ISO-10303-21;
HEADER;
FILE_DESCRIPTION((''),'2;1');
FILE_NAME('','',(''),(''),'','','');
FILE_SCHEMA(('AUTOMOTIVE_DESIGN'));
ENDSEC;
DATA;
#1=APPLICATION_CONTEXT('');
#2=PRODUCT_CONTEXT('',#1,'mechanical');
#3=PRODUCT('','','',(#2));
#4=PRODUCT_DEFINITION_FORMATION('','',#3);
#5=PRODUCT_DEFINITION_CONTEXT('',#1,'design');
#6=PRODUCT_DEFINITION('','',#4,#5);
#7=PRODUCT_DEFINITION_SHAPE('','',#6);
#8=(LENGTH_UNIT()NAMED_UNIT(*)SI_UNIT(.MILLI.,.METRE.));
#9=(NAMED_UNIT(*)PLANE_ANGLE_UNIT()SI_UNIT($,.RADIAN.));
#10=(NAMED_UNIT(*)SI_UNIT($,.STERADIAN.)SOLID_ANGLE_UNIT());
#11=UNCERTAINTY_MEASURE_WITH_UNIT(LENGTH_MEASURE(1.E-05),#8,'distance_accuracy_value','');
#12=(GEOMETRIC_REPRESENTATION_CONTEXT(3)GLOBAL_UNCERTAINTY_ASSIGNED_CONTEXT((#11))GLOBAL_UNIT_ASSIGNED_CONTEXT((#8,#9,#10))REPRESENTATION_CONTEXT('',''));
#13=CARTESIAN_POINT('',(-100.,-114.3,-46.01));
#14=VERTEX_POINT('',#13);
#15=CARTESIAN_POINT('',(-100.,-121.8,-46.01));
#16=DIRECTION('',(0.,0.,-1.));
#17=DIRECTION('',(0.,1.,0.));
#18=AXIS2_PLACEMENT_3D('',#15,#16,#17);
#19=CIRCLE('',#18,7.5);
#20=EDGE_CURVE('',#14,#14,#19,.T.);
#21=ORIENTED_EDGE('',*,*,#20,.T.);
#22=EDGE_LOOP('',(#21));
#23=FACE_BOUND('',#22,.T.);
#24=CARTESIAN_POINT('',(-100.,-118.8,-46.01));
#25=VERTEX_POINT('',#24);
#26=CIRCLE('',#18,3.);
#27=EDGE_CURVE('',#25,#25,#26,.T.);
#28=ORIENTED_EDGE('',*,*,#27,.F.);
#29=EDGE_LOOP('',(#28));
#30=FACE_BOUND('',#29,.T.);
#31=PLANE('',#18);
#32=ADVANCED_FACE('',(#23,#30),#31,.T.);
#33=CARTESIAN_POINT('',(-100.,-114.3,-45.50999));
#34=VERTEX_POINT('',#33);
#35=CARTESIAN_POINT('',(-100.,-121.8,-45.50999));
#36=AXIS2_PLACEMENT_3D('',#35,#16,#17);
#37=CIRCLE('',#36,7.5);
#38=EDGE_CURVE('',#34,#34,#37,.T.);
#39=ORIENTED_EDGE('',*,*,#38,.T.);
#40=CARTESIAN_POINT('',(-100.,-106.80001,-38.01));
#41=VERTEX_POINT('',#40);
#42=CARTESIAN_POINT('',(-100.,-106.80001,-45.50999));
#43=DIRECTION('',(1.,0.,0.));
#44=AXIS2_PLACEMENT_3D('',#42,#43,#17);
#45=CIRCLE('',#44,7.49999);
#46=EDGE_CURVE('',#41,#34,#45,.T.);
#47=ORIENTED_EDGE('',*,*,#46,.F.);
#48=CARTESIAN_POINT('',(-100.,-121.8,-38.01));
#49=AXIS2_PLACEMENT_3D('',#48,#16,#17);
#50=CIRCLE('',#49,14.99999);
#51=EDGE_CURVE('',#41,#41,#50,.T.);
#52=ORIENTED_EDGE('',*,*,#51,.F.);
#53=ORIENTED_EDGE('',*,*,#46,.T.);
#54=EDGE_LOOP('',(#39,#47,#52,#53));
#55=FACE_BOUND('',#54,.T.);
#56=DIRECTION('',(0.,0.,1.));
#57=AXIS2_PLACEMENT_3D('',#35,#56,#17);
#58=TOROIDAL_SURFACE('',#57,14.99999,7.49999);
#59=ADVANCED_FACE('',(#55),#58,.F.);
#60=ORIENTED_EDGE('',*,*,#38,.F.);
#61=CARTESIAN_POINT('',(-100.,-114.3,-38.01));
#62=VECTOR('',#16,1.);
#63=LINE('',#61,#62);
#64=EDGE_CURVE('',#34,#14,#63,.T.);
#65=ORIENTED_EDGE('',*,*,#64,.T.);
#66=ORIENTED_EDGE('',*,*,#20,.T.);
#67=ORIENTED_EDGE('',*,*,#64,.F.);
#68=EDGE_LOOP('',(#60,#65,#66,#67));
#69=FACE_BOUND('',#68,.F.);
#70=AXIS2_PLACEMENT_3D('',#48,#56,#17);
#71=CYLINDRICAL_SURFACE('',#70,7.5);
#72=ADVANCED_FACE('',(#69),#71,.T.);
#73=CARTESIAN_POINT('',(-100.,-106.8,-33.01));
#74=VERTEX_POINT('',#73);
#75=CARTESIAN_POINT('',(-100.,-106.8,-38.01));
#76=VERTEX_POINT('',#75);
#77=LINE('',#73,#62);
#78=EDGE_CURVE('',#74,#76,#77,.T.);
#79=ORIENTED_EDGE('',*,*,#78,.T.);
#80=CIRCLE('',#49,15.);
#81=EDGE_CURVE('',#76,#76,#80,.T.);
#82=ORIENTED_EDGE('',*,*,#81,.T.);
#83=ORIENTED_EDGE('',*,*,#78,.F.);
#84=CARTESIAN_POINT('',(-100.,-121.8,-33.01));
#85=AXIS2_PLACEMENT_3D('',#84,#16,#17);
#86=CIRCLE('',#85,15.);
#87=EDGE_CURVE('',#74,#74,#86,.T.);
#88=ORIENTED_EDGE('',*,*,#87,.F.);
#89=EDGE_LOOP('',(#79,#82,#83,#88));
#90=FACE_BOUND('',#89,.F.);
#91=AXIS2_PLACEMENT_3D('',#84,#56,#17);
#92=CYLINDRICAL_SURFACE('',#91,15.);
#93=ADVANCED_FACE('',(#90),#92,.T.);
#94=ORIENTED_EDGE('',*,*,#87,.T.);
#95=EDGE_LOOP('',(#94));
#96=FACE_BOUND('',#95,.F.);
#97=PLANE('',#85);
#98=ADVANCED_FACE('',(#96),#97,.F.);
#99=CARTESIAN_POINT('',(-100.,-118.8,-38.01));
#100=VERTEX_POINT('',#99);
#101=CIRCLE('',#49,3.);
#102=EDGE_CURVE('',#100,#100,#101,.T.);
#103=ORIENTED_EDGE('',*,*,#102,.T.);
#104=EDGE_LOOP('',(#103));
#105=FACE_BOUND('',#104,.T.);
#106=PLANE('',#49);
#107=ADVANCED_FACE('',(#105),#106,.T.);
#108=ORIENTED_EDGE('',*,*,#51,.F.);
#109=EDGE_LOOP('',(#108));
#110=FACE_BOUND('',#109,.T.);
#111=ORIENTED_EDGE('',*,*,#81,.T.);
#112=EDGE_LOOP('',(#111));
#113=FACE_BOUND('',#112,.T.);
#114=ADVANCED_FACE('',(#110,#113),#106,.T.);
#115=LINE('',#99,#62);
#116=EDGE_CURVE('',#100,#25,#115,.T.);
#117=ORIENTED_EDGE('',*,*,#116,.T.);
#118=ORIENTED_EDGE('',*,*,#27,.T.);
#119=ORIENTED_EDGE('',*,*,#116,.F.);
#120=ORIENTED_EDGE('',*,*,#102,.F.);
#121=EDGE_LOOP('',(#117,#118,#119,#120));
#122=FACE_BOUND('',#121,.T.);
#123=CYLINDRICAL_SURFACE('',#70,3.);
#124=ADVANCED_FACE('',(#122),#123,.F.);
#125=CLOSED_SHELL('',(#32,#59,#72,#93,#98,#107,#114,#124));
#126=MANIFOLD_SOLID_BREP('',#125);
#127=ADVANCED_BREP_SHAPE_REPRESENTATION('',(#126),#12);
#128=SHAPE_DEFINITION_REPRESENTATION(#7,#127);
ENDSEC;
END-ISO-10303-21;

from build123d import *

# Parameters (mm, degrees)
SKETCH129_R             = 15
PAD067_DEPTH            = 5
SKETCH130_R             = 7.5
SKETCH130_R_2           = 3
PAD068_DEPTH            = 8
FILLET001_R             = 7.49999
BODY018_PLACEMENT_ANGLE = 90


with BuildPart() as part:
    # Sketch129 → Pad067 (new body)
    with BuildSketch(Plane.YZ):
        Circle(SKETCH129_R)
    extrude(amount=PAD067_DEPTH)

    # Sketch130 (on Face3 of Pad067) → Pad068 (join)
    with BuildSketch(Plane.YZ.offset(5)):
        Circle(SKETCH130_R)
        Circle(SKETCH130_R_2, mode=Mode.SUBTRACT)
    extrude(amount=PAD068_DEPTH)

    # Fillet001
    fillet001_edges = [part.edges().sort_by_distance(p)[0] for p in [
        (5, -7.5, 0),
    ]]
    fillet(fillet001_edges, radius=FILLET001_R)


with BuildPart() as part_1:
    # Body018 placement: moved
    add(part.part.moved(Location((-100, -121.8, -33.01))).rotate(Axis((-100, -121.8, -33.01), (0, 1, 0)), BODY018_PLACEMENT_ANGLE))


solid = part_1.part
